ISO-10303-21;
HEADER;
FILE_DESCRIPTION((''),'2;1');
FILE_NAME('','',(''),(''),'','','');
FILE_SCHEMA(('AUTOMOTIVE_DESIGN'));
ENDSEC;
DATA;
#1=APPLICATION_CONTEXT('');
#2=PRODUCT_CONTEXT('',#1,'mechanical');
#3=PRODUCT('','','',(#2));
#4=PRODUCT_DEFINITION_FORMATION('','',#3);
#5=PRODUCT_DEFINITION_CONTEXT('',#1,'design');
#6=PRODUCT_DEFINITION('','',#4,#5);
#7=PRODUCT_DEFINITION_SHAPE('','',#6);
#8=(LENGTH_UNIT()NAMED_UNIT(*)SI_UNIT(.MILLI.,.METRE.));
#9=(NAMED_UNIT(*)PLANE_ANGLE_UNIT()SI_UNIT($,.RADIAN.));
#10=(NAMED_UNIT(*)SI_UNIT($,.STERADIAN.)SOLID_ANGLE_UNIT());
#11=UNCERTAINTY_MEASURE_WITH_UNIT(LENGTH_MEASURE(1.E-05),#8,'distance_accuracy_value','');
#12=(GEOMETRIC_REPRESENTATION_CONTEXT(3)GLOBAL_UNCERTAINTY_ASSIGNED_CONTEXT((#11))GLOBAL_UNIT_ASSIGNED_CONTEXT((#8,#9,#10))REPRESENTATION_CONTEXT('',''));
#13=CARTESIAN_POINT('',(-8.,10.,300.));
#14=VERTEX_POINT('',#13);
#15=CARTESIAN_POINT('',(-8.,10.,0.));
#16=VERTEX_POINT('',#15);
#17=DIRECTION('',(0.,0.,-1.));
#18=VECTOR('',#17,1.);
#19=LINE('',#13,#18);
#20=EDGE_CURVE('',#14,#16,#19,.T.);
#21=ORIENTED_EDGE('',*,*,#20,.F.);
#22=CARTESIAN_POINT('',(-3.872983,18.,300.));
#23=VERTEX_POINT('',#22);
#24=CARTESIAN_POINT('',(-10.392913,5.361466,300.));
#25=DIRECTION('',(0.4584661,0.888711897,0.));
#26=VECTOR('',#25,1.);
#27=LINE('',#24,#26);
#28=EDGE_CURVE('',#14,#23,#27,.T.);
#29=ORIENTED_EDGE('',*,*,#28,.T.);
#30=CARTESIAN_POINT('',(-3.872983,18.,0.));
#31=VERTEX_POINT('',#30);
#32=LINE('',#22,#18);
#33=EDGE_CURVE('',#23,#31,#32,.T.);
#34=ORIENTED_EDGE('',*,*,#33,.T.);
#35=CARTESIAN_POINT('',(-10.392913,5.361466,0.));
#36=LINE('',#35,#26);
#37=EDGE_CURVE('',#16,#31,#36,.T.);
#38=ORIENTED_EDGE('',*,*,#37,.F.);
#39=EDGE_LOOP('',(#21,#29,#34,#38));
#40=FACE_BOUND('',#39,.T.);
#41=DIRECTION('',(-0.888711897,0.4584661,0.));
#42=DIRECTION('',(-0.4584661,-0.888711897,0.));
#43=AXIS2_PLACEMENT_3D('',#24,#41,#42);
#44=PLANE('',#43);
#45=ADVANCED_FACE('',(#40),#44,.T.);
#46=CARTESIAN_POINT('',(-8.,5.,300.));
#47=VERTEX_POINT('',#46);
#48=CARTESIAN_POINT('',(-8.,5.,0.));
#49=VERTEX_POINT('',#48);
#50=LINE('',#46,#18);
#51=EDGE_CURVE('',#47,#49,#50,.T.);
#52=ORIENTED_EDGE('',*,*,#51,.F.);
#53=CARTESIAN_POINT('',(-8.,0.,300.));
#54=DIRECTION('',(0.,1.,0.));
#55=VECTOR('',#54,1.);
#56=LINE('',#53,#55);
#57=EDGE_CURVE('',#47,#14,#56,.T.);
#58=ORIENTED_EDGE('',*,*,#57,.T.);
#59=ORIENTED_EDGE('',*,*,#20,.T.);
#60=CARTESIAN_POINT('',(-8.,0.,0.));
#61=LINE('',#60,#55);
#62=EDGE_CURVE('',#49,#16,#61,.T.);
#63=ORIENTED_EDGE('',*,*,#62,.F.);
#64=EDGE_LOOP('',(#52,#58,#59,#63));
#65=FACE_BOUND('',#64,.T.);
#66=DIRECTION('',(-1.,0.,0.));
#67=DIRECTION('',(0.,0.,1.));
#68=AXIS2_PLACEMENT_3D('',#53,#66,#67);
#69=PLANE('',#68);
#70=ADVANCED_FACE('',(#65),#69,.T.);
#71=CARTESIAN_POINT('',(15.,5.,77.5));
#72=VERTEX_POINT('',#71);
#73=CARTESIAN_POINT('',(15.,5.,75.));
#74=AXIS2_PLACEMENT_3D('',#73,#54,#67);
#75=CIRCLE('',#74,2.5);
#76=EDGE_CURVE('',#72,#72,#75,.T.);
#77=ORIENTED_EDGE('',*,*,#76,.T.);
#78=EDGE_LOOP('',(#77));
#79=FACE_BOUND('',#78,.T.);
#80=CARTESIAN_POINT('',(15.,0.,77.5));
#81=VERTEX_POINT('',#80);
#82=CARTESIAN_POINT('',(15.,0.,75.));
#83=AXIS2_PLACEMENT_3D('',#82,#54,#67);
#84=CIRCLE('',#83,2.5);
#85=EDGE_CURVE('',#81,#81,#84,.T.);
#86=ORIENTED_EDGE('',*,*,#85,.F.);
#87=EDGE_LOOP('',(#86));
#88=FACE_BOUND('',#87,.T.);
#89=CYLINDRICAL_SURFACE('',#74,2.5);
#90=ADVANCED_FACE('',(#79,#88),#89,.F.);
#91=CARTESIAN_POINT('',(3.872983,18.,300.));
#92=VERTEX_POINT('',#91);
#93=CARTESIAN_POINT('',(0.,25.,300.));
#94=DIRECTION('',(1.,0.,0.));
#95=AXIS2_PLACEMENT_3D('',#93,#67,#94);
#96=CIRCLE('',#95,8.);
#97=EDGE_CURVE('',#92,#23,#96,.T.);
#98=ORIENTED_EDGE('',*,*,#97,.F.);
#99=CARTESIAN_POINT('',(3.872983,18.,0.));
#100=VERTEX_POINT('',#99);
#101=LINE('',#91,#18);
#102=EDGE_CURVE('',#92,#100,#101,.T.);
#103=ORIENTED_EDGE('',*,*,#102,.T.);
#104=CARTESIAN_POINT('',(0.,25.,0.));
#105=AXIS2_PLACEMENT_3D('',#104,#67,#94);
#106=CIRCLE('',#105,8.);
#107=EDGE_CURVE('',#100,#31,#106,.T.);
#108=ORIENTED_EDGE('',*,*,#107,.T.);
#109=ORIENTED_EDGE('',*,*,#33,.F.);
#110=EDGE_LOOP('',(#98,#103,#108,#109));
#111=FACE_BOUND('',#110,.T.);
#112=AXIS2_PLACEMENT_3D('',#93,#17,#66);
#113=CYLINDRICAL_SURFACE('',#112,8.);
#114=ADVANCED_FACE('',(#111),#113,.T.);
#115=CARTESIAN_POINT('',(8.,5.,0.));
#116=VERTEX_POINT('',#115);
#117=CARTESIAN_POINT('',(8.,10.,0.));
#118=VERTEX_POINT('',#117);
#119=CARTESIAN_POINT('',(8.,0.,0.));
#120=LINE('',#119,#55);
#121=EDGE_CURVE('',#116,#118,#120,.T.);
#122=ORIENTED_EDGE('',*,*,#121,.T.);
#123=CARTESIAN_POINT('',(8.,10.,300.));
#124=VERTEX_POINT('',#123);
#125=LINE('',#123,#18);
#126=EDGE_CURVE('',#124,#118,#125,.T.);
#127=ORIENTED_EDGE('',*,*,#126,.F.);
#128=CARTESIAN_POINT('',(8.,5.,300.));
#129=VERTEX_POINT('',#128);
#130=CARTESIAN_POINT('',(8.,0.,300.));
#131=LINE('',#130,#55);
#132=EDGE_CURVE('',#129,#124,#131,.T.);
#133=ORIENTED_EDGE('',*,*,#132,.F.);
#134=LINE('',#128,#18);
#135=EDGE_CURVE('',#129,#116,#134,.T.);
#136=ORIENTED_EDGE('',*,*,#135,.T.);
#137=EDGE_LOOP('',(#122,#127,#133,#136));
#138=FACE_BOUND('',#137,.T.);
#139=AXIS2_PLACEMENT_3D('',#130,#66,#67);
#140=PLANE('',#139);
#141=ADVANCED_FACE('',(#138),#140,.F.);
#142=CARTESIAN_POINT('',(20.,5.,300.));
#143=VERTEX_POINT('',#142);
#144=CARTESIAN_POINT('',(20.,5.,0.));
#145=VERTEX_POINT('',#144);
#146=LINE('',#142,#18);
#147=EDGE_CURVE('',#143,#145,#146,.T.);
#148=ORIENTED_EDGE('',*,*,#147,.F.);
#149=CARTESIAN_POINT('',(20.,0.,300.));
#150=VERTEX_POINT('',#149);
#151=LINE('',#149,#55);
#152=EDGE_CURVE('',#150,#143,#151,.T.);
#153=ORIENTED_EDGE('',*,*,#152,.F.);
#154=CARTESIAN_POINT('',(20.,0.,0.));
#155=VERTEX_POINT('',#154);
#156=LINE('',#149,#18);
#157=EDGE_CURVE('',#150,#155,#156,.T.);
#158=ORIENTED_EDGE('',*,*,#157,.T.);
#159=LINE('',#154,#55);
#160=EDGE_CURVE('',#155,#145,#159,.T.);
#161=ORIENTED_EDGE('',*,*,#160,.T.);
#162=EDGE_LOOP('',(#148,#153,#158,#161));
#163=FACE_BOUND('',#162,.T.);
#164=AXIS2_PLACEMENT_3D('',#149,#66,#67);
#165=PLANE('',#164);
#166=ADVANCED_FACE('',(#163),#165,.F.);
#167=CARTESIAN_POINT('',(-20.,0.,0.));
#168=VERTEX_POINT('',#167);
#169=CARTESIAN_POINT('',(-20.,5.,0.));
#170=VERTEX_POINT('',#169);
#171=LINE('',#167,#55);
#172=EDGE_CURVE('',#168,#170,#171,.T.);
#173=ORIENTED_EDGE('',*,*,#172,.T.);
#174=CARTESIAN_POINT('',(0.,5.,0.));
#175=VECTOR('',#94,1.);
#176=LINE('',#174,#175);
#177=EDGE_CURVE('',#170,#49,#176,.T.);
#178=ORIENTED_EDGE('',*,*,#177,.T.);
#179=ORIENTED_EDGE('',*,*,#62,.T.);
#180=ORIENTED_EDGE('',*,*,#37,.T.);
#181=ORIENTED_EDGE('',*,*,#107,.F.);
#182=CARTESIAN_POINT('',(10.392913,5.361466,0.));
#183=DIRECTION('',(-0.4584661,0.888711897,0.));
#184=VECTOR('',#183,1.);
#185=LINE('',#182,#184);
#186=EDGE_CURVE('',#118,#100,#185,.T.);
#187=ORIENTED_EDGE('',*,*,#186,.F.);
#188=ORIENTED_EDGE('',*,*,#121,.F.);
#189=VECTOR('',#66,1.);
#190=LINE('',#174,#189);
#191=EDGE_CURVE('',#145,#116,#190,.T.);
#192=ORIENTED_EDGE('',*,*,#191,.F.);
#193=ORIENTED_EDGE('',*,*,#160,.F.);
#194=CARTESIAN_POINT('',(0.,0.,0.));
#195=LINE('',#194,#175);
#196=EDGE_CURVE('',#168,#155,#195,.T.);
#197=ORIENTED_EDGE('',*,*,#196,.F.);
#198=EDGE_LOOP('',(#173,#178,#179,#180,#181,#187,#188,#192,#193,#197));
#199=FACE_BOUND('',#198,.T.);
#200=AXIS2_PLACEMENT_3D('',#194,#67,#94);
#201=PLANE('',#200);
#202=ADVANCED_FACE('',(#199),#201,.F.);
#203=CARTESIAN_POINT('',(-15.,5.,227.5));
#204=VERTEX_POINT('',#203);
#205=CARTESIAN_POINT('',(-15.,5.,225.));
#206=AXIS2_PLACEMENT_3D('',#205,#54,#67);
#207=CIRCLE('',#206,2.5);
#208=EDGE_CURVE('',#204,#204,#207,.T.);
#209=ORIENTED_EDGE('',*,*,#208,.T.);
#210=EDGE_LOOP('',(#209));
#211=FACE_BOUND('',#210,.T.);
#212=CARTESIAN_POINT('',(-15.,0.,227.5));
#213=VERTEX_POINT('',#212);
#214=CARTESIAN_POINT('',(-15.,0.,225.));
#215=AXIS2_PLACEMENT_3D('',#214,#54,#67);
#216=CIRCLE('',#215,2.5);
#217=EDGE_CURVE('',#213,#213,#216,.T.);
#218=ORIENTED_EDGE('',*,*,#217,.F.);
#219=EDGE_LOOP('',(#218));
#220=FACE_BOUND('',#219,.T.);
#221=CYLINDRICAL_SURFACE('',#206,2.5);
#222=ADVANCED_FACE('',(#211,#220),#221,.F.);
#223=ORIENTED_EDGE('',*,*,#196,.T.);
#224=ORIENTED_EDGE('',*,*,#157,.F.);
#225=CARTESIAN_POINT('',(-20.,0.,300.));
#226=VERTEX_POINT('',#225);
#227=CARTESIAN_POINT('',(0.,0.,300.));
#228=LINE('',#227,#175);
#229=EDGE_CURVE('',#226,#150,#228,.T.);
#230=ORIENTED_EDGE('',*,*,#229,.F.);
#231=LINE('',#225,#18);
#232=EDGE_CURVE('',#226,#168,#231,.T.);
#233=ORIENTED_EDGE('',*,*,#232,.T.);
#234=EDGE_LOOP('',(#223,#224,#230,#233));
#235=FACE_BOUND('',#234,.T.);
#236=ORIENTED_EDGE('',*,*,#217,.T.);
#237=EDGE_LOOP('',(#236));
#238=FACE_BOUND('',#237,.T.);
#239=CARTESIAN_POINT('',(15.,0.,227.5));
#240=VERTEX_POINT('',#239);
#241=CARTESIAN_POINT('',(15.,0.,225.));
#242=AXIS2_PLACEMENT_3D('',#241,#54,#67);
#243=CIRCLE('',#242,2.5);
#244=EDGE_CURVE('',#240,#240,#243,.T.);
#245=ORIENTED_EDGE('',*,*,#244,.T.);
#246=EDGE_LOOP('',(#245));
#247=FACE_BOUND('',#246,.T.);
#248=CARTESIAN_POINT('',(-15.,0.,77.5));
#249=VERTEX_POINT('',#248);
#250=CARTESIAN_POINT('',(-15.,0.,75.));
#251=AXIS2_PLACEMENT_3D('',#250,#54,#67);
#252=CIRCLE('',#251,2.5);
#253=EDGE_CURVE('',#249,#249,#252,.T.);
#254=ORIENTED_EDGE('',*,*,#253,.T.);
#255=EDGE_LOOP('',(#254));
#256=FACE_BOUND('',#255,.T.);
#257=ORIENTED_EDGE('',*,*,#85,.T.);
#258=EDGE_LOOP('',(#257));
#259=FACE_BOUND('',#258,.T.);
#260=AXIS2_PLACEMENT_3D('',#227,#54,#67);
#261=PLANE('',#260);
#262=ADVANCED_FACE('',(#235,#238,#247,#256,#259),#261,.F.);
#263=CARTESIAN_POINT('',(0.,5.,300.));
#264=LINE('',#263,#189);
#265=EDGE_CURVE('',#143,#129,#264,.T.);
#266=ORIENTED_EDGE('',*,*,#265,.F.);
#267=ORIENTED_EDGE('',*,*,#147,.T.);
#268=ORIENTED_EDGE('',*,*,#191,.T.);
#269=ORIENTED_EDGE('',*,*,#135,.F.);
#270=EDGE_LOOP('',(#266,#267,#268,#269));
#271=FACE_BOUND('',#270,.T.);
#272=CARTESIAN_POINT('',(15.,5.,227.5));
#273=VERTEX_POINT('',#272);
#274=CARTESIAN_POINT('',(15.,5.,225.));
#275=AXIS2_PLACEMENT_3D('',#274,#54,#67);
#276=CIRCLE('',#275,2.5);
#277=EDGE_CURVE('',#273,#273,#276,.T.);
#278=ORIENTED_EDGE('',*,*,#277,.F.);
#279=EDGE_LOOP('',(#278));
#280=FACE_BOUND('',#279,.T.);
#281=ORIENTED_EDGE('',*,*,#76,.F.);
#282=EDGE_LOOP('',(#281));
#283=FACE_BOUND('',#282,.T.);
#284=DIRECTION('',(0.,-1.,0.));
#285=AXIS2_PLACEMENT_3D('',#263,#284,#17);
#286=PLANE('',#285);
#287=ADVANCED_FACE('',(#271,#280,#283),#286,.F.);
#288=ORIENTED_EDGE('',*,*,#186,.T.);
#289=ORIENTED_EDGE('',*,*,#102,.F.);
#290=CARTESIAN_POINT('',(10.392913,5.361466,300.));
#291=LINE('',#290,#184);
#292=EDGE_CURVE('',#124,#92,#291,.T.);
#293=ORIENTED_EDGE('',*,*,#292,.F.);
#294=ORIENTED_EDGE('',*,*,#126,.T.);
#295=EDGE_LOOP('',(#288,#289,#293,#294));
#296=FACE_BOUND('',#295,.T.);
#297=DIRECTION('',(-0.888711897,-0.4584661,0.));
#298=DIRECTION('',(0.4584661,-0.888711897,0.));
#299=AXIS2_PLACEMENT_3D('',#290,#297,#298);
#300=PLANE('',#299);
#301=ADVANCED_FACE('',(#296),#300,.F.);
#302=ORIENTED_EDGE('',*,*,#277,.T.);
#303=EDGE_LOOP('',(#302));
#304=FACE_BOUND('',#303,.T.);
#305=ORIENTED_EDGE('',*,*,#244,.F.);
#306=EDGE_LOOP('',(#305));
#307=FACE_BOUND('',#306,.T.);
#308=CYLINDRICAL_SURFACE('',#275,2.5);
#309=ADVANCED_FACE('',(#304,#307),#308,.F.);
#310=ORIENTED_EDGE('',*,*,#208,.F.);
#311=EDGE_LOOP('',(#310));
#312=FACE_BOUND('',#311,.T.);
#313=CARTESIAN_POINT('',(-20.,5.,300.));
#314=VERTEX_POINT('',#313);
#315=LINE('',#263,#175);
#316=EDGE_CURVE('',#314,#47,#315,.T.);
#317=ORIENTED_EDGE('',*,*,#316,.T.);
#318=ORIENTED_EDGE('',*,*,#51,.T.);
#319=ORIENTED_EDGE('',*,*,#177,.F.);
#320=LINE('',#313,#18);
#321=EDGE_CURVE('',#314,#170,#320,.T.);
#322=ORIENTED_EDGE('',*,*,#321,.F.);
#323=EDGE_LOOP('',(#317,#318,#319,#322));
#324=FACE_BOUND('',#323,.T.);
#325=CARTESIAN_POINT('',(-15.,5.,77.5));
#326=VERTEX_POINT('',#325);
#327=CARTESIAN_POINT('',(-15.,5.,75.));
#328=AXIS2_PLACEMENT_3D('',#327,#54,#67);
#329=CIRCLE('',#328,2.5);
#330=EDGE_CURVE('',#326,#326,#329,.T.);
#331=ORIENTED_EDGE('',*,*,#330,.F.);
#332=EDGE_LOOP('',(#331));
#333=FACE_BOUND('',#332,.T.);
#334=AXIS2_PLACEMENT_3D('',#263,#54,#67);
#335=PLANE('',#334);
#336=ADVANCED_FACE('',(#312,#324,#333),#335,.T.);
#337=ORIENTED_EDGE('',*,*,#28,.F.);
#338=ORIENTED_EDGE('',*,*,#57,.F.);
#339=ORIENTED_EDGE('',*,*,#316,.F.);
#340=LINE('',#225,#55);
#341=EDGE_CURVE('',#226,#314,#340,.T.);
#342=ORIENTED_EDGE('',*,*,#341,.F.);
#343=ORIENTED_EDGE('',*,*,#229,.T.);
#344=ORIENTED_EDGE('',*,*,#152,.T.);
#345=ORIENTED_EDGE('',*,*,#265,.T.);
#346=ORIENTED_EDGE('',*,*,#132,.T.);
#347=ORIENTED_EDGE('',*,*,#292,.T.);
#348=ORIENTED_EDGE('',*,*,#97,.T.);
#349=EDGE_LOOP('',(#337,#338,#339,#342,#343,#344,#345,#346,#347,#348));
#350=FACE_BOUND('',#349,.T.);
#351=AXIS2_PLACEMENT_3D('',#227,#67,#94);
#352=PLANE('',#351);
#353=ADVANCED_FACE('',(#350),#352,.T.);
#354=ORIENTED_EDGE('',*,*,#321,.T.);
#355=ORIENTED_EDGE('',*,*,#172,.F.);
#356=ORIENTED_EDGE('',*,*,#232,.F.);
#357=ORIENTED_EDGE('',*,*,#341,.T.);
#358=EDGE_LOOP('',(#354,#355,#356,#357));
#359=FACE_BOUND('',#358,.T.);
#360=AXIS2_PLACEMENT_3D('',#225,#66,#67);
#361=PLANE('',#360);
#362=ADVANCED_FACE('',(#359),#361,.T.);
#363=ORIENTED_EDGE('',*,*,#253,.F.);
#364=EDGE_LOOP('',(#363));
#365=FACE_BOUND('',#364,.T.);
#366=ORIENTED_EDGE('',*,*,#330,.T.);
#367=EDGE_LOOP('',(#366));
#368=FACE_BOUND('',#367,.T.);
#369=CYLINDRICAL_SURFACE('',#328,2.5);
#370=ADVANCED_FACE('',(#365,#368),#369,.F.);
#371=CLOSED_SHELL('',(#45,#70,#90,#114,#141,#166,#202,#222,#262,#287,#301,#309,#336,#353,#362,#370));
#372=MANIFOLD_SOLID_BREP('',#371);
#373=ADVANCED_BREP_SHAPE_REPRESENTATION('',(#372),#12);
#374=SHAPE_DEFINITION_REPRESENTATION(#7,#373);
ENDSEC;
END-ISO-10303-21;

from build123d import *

# Parameters (mm, degrees)
BOSS_EXTRUDE3_DEPTH   = 300
BOSS_EXTRUDE4_DEPTH   = 300
F_5_0MM_DOWEL_HOLE1_D = 5
LPATTERN1_COUNT       = 2
LPATTERN1_PITCH       = 150


with BuildPart() as part:
    # Sketch2 → Boss-Extrude3 (new body)
    with BuildSketch(Plane.XY):
        with BuildLine():
            Line((-20, 5), (-20, 0))
            Line((-20, 0), (20, 0))
            Line((20, 0), (20, 5))
            Line((20, 5), (8, 5))
            Line((8, 5), (8, 10))
            Line((8, 10), (3.872983346, 18))
            ThreePointArc((3.872983346, 18), (0, 17), (-3.872983346, 18))
            Line((-3.872983346, 18), (-8, 10))
            Line((-8, 10), (-8, 5))
            Line((-8, 5), (-20, 5))
        make_face()
    extrude(amount=BOSS_EXTRUDE3_DEPTH)

    # Sketch2<4> → Boss-Extrude4 (add)
    with BuildSketch(Plane.XY):
        with BuildLine():
            ThreePointArc((8, 25), (-4.063012013, 31.891439137), (-3.872983346, 18))
            ThreePointArc((-3.872983346, 18), (0, 17), (3.872983346, 18))
            ThreePointArc((3.872983346, 18), (6.891439137, 20.936987987), (8, 25))
        make_face()
    extrude(amount=BOSS_EXTRUDE4_DEPTH)

    # Ø5.0mm Dowel Hole1 (through all)
    with Locations(Plane(origin=(0, 5, 0), x_dir=(1, 0, 0), z_dir=(0, 1, 0))):
        with Locations((-15, -225), (15, -225)):
            f_5_0mm_dowel_hole1 = Hole(F_5_0MM_DOWEL_HOLE1_D / 2)

    # LPattern1: Ø5.0mm Dowel Hole1 ×2
    with Locations(*[(0, 0, -i * LPATTERN1_PITCH) for i in range(1, LPATTERN1_COUNT)]):
        add(f_5_0mm_dowel_hole1, mode=Mode.SUBTRACT)


solid = part.part
